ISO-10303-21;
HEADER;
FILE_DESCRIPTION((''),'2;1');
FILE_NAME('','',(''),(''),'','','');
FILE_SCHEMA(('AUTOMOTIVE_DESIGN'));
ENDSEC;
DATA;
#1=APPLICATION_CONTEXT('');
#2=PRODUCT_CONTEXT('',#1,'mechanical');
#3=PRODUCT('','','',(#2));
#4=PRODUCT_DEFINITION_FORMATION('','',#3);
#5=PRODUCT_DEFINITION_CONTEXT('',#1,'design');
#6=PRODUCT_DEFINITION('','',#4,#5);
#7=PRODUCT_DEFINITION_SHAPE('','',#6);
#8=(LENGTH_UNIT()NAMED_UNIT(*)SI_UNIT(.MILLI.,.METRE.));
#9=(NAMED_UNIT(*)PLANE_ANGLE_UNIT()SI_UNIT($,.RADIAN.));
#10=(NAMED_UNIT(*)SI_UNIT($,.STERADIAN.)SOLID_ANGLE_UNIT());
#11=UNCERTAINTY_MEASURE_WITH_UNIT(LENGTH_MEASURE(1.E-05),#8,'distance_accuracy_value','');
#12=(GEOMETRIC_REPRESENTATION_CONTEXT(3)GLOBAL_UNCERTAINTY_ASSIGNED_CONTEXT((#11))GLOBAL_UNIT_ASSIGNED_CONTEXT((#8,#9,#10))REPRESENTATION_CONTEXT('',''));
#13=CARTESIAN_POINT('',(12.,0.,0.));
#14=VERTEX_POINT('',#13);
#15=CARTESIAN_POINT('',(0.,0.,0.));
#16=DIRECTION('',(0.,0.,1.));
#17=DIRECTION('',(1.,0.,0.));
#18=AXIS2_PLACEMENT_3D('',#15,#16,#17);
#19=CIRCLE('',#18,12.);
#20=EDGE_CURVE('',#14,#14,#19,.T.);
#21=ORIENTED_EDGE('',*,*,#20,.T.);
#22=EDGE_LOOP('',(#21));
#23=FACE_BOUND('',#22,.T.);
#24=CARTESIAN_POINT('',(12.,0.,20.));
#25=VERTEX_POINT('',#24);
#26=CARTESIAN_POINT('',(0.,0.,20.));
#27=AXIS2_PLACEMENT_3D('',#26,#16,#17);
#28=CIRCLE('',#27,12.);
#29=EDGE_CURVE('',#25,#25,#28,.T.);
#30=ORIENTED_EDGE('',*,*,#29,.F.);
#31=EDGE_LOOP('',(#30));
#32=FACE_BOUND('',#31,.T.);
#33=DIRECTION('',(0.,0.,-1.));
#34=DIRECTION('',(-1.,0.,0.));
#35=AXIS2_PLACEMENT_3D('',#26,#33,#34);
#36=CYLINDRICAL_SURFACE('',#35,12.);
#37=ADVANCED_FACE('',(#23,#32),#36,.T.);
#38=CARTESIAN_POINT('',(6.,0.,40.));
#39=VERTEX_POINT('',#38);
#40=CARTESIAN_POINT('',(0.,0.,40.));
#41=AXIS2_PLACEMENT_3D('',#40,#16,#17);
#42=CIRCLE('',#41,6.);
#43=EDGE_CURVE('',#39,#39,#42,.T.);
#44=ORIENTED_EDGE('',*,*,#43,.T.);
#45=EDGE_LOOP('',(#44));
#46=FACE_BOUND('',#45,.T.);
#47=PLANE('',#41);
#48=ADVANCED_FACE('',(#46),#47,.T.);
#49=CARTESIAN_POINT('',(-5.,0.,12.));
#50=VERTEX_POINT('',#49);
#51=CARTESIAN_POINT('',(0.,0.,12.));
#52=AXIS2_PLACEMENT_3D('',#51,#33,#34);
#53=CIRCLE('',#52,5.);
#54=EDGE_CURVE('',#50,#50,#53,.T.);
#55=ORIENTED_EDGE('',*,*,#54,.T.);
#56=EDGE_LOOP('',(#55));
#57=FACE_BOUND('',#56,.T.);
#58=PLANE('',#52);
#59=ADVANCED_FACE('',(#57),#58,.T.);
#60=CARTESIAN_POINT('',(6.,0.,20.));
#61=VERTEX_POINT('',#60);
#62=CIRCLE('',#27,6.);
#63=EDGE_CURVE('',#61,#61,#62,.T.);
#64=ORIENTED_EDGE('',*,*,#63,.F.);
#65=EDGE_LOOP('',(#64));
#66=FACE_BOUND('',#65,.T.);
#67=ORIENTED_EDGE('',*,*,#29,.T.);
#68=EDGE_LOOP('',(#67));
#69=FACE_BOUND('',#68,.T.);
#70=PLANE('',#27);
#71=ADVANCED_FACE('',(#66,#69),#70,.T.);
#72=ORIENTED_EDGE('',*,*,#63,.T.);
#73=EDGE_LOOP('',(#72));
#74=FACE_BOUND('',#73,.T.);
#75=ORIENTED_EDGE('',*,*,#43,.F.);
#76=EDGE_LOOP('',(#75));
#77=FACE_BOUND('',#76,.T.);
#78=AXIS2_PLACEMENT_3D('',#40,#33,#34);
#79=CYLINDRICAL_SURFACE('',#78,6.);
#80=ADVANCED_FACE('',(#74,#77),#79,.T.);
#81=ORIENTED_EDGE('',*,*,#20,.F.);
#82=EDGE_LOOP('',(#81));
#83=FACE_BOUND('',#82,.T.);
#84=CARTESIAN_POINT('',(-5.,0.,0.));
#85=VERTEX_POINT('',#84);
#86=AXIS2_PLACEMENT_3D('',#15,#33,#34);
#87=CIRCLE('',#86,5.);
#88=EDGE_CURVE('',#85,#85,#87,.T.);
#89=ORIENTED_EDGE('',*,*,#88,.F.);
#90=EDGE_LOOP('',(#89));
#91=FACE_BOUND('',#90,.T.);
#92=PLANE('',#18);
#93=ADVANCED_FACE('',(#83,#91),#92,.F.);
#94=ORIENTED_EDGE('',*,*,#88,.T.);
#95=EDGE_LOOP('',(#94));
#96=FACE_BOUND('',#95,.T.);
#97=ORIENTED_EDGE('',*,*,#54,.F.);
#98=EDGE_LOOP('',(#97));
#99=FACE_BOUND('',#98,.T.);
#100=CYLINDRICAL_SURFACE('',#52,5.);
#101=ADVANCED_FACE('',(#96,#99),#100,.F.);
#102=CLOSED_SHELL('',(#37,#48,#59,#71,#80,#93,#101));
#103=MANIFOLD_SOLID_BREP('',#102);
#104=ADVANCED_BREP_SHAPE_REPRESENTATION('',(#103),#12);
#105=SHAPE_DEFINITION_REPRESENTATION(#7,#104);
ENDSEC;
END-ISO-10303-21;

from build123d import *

# Parameters (mm, degrees)
SKETCH_1_R          = 12
EXTRUDE_2_DEPTH     = 20
SKETCH_2_R          = 6
EXTRUDE_3_DEPTH     = 20
SKETCH_3_R          = 5
CUT_EXTRUDE_1_DEPTH = 12


with BuildPart() as part:
    # 草圖1 → 填料-伸長2 (new body)
    with BuildSketch(Plane.XY):
        Circle(SKETCH_1_R)
    extrude(amount=EXTRUDE_2_DEPTH)

    # 草圖2 → 填料-伸長3 (add)
    with BuildSketch(Plane.XY.offset(20)):
        Circle(SKETCH_2_R)
    extrude(amount=EXTRUDE_3_DEPTH)

    # 草圖3 → 除料-伸長1 (cut)
    with BuildSketch(Plane(origin=(0, 0, 0), x_dir=(-1, 0, 0), z_dir=(0, 0, -1))):
        Circle(SKETCH_3_R)
    extrude(amount=-CUT_EXTRUDE_1_DEPTH, mode=Mode.SUBTRACT)


solid = part.part
